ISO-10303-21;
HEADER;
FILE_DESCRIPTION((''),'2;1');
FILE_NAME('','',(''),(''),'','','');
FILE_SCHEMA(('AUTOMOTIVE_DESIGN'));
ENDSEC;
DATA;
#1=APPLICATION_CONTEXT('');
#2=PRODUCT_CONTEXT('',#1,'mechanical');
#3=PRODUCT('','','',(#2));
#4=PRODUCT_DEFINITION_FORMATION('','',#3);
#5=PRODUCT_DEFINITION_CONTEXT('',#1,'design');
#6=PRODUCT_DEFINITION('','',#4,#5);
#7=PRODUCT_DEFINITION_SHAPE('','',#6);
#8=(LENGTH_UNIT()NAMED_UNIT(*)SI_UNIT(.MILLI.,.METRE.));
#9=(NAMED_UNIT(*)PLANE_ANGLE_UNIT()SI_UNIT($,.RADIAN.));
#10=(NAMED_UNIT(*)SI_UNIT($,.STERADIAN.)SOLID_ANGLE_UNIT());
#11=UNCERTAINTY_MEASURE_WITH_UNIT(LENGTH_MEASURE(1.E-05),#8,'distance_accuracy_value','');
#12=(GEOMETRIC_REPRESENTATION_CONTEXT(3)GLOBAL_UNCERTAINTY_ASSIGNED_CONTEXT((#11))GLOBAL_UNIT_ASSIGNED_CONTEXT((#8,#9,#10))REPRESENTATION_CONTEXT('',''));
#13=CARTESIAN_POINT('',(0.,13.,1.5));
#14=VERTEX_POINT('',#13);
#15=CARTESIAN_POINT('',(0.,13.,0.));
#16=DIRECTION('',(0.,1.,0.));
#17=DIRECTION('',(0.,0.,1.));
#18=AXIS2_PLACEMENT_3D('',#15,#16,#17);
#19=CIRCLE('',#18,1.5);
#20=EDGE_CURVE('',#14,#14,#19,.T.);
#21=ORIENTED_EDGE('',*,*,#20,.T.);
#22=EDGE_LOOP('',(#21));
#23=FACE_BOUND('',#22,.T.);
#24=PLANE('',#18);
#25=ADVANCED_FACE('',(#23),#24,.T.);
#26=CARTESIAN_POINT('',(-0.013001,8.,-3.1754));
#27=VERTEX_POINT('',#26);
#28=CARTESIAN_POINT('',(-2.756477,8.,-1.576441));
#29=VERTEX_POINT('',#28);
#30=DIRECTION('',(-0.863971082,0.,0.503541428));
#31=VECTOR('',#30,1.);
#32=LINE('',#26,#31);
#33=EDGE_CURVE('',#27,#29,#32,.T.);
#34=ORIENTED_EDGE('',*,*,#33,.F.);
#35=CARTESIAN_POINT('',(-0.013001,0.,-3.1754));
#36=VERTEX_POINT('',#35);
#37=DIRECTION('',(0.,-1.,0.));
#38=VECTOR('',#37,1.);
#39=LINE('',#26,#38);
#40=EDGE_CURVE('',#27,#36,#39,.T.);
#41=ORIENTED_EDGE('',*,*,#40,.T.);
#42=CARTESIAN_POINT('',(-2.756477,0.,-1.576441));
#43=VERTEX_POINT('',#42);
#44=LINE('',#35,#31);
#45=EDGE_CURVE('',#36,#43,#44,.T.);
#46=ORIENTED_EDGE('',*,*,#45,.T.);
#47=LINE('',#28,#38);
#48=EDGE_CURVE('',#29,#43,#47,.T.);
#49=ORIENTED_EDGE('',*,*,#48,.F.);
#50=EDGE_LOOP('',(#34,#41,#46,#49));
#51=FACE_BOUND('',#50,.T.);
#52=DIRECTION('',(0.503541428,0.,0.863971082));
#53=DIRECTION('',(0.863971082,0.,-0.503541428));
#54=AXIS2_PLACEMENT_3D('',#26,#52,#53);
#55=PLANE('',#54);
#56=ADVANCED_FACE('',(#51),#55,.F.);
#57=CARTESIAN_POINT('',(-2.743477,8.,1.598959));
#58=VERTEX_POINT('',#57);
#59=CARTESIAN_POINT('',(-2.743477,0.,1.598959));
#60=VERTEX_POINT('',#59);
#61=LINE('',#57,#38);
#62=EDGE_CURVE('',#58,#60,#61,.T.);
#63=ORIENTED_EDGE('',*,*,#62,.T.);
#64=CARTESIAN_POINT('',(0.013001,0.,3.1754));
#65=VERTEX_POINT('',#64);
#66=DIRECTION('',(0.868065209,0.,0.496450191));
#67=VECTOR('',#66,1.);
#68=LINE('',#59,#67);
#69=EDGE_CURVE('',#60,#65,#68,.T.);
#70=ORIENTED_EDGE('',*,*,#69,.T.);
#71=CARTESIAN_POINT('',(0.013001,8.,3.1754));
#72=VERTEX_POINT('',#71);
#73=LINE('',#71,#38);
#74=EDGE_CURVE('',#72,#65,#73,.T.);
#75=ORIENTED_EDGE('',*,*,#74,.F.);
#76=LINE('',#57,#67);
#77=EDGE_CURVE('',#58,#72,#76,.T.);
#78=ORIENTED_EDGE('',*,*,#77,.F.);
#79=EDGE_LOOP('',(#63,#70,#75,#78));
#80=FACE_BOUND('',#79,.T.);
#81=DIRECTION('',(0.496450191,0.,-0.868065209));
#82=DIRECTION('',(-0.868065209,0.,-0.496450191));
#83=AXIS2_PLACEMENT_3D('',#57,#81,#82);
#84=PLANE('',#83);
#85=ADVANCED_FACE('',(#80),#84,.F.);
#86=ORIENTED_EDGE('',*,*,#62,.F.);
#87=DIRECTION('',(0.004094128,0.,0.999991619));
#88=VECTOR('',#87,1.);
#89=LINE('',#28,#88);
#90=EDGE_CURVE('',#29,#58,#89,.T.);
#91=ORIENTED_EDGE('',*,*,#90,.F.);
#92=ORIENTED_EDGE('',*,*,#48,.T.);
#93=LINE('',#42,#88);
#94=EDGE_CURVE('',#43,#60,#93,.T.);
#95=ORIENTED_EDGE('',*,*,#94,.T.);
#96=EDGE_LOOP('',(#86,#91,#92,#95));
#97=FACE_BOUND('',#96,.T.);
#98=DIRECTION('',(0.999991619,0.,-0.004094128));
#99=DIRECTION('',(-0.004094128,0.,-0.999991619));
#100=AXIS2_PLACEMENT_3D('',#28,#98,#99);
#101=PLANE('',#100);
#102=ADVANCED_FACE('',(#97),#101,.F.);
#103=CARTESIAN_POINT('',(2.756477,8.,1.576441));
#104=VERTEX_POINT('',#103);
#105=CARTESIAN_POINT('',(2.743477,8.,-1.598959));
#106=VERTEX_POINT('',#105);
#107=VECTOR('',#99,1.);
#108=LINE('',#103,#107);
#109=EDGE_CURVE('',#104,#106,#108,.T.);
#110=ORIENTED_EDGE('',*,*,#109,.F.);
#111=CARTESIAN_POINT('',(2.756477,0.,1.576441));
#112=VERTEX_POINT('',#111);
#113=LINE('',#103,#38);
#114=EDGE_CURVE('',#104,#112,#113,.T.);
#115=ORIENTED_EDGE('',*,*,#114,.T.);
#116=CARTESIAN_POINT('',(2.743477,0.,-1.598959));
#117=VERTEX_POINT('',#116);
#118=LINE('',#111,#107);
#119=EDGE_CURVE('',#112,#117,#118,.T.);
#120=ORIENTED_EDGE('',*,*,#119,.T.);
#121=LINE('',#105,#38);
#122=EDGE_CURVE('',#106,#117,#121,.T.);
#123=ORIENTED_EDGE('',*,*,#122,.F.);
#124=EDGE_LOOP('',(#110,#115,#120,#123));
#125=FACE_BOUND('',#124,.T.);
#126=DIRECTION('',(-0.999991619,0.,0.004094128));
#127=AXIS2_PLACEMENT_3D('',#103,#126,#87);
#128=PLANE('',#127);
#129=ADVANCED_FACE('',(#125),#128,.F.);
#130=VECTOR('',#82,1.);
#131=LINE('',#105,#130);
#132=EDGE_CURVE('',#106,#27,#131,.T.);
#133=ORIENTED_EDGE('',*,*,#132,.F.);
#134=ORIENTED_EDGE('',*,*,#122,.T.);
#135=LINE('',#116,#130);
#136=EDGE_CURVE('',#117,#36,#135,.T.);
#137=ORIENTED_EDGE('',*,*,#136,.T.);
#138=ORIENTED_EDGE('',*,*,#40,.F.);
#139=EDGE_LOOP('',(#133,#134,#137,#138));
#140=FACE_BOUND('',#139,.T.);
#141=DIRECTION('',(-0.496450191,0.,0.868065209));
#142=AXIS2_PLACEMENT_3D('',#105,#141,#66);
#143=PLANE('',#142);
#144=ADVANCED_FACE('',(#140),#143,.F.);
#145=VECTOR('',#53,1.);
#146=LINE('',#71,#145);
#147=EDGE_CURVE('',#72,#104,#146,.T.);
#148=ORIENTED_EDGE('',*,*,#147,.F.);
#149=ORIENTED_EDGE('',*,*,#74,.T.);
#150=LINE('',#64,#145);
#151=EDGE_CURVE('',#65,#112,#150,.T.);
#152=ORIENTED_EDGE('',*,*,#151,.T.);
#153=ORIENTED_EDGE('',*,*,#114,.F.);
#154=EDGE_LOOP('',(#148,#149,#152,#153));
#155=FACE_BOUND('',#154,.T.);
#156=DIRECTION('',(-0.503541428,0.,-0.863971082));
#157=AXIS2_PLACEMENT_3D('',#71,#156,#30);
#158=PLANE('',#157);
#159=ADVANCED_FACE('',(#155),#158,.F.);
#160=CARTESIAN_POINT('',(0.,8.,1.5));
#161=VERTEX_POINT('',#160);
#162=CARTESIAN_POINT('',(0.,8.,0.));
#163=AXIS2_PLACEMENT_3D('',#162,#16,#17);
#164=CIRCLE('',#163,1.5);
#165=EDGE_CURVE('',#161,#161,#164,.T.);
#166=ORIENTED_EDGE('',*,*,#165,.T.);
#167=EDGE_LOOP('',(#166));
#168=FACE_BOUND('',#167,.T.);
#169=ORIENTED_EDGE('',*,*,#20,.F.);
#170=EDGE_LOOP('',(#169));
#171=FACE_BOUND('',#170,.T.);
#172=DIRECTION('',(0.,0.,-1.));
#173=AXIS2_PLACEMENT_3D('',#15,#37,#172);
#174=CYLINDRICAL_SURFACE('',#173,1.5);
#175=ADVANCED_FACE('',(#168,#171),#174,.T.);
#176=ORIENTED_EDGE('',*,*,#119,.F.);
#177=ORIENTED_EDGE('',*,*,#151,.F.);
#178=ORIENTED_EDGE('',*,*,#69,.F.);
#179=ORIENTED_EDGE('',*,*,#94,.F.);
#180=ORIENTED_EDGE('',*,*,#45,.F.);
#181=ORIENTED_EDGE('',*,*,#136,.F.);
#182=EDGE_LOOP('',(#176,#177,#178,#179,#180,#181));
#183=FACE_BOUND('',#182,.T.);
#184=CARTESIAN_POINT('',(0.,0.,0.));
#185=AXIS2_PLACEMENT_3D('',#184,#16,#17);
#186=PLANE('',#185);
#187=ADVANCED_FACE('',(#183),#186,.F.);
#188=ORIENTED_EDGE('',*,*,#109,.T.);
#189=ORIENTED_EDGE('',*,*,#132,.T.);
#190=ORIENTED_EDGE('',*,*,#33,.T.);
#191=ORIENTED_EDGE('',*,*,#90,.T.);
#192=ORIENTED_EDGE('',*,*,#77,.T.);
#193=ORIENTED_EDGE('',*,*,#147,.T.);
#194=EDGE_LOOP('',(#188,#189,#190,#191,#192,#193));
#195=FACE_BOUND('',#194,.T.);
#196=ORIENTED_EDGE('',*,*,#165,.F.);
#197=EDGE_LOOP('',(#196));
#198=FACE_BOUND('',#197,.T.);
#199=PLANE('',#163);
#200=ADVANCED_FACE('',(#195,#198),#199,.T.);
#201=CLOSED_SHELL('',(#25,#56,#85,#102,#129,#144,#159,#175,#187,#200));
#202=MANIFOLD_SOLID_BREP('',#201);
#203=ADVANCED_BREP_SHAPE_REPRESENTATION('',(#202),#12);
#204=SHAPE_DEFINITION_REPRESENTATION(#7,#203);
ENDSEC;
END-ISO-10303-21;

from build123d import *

# Parameters (mm, degrees)
SALIENTE_EXTRUIR1_DEPTH = 8
CROQUIS2_R              = 1.5
SALIENTE_EXTRUIR2_DEPTH = 5


with BuildPart() as part:
    # Croquis1 → Saliente-Extruir1 (new body)
    with BuildSketch(Plane(origin=(0, 0, 0), x_dir=(1, 0, 0), z_dir=(0, 1, 0))):
        Polygon((2.743476652, 1.598958785), (-0.013000601, 3.175399867), (-2.756477253, 1.576441083), (-2.743476652, -1.598958785), (0.013000601, -3.175399867), (2.756477253, -1.576441083), align=None)
    extrude(amount=SALIENTE_EXTRUIR1_DEPTH)

    # Croquis2 → Saliente-Extruir2 (add)
    with BuildSketch(Plane(origin=(0, 8, 0), x_dir=(1, 0, 0), z_dir=(0, 1, 0))):
        with Locations(Location((0, 0, 0), (0, 0, 270))):
            Circle(CROQUIS2_R)
    extrude(amount=SALIENTE_EXTRUIR2_DEPTH)


solid = part.part
